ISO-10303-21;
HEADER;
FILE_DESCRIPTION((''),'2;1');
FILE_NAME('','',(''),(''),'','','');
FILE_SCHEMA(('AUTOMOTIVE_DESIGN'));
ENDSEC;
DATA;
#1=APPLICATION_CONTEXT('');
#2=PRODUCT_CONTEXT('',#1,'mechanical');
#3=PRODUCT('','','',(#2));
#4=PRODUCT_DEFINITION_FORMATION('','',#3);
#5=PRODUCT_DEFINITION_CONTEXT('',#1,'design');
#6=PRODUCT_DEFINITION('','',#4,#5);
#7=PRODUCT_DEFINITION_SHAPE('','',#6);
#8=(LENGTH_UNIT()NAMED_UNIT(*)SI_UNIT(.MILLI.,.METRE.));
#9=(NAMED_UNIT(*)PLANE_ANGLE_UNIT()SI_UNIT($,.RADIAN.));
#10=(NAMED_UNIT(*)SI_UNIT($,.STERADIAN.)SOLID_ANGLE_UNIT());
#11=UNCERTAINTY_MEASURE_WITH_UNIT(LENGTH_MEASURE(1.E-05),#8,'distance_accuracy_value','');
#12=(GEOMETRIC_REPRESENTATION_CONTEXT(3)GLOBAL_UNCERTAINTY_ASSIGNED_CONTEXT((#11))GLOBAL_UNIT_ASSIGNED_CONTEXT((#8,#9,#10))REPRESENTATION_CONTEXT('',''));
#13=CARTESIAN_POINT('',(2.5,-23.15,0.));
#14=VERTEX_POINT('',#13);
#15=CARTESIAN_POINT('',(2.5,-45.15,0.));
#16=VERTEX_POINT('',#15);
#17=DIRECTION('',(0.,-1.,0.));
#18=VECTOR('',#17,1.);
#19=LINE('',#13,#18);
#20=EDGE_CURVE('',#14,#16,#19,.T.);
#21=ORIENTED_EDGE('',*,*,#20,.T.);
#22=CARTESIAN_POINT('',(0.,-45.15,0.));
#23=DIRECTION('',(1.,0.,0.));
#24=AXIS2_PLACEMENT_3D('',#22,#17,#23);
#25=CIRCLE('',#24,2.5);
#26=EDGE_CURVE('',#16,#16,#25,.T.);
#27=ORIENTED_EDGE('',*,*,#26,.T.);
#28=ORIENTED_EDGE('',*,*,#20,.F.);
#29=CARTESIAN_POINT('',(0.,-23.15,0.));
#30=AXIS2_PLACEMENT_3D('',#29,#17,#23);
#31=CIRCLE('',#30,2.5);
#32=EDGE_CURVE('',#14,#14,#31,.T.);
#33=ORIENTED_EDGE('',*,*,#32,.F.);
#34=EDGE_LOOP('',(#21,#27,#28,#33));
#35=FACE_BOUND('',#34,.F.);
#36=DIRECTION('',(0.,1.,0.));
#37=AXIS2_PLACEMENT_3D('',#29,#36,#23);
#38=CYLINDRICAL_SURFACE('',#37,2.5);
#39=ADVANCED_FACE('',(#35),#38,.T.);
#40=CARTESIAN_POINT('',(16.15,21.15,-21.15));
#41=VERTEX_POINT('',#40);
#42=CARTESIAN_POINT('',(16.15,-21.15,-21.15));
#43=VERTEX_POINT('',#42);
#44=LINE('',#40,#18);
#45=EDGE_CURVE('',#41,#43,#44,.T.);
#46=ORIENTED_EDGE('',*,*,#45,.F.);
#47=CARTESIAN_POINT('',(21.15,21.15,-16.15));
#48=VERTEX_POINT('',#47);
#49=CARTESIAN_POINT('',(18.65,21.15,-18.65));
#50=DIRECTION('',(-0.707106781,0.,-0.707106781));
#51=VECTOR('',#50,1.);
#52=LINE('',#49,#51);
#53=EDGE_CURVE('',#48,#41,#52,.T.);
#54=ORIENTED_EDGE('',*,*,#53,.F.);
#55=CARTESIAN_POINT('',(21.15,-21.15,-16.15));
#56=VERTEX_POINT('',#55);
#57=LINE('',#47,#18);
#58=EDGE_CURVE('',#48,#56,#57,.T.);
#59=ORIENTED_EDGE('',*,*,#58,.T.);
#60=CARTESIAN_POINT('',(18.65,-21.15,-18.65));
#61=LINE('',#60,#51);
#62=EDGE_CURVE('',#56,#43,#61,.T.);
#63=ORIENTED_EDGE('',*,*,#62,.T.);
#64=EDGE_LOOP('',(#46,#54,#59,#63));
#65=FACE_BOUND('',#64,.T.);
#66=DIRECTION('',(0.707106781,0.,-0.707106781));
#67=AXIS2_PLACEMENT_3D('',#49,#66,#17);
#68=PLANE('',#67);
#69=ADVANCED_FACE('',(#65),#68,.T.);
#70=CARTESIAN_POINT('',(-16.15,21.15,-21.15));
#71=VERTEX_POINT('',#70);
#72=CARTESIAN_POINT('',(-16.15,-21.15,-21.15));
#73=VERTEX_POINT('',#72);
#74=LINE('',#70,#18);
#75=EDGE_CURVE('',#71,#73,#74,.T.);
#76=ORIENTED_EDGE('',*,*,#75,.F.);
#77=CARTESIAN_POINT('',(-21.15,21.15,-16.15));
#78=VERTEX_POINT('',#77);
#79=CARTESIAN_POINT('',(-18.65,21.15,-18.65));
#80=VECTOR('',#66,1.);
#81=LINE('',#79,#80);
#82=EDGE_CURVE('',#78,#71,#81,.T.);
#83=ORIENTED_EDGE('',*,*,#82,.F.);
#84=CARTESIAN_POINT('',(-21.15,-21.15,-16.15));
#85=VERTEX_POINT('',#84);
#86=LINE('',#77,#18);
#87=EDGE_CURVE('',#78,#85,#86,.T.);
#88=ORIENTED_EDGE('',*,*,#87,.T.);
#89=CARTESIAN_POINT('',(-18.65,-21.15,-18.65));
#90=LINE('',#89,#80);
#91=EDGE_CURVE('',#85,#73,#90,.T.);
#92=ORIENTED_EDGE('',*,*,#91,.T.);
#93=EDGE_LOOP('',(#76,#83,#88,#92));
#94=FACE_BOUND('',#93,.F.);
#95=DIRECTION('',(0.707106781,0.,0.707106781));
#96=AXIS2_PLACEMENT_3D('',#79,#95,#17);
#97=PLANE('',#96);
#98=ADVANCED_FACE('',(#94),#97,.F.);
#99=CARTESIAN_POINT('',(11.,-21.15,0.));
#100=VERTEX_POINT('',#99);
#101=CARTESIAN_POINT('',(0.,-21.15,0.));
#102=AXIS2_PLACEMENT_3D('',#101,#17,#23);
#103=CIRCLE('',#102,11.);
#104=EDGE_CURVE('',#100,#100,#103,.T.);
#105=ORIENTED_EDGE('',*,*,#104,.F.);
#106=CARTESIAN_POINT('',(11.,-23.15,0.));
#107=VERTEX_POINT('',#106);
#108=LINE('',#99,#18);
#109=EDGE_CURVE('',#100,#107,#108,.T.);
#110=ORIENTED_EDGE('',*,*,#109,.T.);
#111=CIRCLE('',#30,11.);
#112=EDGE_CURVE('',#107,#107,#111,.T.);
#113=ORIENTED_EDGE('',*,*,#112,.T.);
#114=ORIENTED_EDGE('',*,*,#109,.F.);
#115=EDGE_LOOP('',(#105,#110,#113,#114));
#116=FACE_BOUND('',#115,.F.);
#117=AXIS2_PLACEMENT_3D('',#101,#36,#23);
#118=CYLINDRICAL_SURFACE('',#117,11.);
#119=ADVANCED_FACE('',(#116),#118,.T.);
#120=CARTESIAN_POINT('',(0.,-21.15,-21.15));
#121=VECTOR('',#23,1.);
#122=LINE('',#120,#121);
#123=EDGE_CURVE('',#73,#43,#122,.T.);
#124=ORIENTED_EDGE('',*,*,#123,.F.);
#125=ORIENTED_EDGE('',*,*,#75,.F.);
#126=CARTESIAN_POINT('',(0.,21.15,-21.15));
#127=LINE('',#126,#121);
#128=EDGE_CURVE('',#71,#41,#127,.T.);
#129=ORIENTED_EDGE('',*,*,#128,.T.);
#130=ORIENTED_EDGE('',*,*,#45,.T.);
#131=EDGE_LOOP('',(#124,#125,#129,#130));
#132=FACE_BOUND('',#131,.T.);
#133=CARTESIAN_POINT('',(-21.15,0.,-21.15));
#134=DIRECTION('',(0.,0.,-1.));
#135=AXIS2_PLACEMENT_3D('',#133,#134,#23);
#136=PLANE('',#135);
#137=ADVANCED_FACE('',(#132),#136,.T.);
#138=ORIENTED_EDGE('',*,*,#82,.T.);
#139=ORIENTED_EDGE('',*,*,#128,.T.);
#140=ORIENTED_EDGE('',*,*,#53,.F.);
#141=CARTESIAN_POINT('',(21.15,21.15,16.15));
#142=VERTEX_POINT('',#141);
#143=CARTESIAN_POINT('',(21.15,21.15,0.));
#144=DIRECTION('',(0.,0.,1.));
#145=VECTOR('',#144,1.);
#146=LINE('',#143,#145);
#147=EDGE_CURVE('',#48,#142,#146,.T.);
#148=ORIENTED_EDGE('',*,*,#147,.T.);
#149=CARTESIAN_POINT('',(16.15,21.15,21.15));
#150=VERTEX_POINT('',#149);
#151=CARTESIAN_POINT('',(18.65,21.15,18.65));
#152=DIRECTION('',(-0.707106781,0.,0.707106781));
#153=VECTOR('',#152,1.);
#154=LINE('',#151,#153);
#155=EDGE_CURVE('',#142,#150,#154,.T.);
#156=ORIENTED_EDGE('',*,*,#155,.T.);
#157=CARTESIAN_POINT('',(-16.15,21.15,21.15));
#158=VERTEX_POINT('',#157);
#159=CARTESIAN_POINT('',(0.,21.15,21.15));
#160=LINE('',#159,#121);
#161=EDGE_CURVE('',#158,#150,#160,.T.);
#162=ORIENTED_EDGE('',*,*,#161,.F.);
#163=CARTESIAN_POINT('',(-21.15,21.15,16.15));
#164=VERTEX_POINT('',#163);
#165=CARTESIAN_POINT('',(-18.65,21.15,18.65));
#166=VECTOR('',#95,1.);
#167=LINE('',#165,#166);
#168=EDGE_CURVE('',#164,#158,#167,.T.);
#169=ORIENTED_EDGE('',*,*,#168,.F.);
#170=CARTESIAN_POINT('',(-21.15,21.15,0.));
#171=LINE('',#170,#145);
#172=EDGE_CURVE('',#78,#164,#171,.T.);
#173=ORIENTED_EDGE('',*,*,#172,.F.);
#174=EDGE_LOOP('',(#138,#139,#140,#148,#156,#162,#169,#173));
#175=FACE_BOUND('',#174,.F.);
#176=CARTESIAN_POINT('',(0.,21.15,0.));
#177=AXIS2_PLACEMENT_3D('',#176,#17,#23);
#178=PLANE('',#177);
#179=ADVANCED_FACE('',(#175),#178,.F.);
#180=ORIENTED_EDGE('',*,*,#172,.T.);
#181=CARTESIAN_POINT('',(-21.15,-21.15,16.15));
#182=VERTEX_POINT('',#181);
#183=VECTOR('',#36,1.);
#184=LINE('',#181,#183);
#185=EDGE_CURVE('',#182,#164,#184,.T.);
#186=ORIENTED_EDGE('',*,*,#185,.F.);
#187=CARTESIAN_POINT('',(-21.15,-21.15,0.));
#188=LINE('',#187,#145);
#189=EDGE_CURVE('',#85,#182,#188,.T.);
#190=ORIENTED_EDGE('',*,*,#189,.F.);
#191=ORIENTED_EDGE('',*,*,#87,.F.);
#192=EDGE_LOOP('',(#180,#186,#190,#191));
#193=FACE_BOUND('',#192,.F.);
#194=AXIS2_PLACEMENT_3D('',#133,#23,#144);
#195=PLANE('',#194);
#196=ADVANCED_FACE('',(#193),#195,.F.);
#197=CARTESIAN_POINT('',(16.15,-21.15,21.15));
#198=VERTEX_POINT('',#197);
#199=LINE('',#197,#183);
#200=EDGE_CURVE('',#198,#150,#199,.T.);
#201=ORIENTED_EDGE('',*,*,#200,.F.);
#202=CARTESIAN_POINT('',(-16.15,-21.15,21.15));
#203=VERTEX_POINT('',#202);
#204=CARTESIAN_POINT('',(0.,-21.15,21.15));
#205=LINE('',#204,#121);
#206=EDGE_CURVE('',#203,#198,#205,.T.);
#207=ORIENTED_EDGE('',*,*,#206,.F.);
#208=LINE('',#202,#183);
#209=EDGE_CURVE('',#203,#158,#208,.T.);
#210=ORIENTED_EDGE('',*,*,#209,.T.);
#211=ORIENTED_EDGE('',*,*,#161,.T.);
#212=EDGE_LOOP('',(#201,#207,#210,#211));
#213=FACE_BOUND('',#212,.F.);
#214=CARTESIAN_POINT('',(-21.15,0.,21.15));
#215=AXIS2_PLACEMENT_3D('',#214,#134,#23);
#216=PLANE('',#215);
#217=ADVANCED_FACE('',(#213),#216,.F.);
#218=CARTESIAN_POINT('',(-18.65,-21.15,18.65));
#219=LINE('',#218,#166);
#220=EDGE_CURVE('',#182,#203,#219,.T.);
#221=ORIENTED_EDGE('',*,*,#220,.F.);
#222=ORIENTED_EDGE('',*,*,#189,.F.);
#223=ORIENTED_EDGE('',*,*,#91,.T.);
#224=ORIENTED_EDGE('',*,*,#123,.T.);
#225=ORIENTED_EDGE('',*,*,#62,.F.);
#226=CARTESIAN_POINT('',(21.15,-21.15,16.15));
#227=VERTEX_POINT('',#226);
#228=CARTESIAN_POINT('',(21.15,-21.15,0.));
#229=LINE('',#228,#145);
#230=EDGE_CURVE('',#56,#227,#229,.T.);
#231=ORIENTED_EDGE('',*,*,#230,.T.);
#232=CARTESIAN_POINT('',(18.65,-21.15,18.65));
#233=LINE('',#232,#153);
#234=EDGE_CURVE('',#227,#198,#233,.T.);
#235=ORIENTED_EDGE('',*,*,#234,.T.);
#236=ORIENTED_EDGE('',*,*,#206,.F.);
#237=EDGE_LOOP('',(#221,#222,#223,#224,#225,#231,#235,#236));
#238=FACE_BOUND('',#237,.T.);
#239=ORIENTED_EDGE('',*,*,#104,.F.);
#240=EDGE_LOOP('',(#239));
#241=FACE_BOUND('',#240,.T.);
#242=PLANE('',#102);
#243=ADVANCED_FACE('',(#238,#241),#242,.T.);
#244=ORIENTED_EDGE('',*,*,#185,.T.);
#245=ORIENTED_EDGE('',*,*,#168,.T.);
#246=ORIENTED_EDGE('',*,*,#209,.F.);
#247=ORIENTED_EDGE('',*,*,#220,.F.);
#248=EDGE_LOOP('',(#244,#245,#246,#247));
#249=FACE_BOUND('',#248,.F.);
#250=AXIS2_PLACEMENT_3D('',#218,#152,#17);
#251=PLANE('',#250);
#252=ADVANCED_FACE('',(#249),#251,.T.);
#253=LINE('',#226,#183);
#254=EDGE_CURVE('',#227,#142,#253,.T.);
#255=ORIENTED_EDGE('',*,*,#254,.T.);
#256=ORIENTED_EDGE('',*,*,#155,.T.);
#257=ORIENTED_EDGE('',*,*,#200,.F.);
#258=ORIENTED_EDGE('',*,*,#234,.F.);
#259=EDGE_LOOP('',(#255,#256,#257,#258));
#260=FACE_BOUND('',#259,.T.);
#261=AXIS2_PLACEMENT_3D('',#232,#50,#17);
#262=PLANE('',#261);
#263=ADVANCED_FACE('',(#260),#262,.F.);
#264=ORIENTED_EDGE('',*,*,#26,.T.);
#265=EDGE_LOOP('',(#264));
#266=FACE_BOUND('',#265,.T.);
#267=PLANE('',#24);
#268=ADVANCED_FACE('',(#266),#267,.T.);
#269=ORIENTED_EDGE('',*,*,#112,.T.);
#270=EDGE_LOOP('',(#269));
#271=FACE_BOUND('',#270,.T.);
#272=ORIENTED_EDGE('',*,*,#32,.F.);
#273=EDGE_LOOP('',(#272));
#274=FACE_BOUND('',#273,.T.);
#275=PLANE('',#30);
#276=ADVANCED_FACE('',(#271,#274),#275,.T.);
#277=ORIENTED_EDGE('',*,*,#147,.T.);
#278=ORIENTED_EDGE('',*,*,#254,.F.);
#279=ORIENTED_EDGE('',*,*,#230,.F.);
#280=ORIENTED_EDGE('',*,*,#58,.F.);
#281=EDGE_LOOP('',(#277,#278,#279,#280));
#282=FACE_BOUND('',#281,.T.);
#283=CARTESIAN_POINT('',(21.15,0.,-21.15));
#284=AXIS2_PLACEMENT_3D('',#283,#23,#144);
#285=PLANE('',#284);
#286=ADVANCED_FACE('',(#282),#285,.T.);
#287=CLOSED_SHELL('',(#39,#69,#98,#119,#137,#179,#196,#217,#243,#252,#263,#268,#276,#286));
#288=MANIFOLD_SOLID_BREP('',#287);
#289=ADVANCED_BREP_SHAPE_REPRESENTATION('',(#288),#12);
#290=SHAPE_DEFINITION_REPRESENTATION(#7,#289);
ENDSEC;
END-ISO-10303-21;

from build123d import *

# Parameters (mm, degrees)
F0_W     = 42.3
F0_H     = 42.3
F1_DEPTH = 21.15
F2_SIZE  = 5
F3_R     = 11
F4_DEPTH = 2
F5_R     = 2.5
F6_DEPTH = 22


with BuildPart() as f1:
    # F0 (on Front) → F1 (new body, symmetric)
    with BuildSketch(Plane.XZ):
        Rectangle(F0_W, F0_H)
    extrude(amount=F1_DEPTH, both=True)

    # F2
    f2_edges = [f1.edges().sort_by_distance(p)[0] for p in [
        (-21.15, 0, 21.15),
        (21.15, 0, 21.15),
        (-21.15, 0, -21.15),
        (21.15, 0, -21.15),
    ]]
    chamfer(f2_edges, length=F2_SIZE)

    # F3 (on face) → F4 (join)
    with BuildSketch(Plane.XZ.offset(21.15)):
        Circle(F3_R)
    extrude(amount=F4_DEPTH)

    # F5 (on face) → F6 (join)
    with BuildSketch(Plane.XZ.offset(23.15)):
        Circle(F5_R)
    extrude(amount=F6_DEPTH)


solid = f1.part
